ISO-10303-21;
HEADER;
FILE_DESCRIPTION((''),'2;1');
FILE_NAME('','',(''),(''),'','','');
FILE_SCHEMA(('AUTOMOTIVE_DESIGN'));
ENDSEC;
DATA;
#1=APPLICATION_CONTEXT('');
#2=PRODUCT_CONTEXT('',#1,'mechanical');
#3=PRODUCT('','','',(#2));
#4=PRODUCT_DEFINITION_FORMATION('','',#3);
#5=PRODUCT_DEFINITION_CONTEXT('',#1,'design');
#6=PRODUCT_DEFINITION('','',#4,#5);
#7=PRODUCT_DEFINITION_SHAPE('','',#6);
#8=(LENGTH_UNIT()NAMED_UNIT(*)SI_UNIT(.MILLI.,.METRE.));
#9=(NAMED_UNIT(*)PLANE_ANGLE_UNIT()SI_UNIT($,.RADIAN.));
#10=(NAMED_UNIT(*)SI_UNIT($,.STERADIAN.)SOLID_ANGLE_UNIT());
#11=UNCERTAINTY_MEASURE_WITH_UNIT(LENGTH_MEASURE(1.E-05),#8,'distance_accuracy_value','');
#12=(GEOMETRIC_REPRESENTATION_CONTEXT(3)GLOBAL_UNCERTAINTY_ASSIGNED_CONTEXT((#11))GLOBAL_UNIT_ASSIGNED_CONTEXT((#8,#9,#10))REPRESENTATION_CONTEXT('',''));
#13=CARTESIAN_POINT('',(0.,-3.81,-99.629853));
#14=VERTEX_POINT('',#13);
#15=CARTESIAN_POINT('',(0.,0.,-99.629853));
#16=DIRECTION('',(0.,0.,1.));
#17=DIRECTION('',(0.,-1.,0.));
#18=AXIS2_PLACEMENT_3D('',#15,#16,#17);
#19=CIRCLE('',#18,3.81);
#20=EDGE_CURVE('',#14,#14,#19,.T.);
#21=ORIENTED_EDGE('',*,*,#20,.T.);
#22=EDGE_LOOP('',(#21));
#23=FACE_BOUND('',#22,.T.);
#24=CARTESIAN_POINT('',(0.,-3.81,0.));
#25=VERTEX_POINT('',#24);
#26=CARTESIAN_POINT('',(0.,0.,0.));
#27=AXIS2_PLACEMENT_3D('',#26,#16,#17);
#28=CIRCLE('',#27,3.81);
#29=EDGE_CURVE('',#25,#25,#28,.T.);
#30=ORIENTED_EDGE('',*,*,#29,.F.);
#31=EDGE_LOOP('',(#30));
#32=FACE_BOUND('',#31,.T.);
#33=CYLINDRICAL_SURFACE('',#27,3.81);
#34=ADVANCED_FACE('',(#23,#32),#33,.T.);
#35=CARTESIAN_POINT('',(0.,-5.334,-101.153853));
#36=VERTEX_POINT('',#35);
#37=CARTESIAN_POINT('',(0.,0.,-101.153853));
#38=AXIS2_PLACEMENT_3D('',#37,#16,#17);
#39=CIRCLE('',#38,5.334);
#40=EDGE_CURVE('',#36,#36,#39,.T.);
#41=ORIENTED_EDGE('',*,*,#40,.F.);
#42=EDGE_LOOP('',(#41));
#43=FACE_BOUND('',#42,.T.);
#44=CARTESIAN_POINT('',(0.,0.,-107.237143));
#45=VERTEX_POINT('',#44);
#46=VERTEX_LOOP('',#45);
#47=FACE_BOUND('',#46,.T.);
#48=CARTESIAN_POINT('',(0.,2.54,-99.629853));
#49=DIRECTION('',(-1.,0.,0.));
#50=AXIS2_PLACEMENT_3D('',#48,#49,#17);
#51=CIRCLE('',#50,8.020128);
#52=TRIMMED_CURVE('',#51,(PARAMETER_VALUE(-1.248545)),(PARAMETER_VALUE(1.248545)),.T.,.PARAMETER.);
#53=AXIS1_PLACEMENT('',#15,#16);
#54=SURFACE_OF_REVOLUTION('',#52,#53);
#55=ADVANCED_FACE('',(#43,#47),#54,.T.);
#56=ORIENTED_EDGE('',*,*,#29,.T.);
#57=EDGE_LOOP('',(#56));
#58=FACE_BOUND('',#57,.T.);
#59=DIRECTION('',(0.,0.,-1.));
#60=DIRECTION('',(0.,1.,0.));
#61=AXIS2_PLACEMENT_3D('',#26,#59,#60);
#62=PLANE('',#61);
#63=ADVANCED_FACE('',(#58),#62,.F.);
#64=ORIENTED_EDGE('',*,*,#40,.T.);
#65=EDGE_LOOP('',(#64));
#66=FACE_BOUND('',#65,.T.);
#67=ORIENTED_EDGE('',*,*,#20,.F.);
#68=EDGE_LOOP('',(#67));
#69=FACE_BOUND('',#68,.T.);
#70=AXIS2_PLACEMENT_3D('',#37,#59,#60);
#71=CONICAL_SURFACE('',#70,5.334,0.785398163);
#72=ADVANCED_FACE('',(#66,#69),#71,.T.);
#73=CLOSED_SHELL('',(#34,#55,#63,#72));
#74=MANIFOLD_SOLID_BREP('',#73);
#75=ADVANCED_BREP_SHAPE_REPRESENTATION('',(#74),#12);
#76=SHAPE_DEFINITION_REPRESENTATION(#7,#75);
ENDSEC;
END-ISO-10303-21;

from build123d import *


with BuildPart() as part:
    # Sketch1 → Revolve2 (revolve)
    with BuildSketch(Plane(origin=(0, 0, 0), x_dir=(0, 0, -1), z_dir=(1, 0, 0))):
        with BuildLine():
            Line((99.629853384, 3.81), (101.153853384, 5.334))
            ThreePointArc((101.153853384, 5.334), (104.917385939, 3.490294477), (107.237142783, 0))
            Line((107.237142783, 0), (0, 0))
            Line((0, 0), (0, 3.81))
            Line((0, 3.81), (99.629853384, 3.81))
        make_face()
    revolve(axis=Axis((0, 0, 0), (0, 0, -1)))


solid = part.part
